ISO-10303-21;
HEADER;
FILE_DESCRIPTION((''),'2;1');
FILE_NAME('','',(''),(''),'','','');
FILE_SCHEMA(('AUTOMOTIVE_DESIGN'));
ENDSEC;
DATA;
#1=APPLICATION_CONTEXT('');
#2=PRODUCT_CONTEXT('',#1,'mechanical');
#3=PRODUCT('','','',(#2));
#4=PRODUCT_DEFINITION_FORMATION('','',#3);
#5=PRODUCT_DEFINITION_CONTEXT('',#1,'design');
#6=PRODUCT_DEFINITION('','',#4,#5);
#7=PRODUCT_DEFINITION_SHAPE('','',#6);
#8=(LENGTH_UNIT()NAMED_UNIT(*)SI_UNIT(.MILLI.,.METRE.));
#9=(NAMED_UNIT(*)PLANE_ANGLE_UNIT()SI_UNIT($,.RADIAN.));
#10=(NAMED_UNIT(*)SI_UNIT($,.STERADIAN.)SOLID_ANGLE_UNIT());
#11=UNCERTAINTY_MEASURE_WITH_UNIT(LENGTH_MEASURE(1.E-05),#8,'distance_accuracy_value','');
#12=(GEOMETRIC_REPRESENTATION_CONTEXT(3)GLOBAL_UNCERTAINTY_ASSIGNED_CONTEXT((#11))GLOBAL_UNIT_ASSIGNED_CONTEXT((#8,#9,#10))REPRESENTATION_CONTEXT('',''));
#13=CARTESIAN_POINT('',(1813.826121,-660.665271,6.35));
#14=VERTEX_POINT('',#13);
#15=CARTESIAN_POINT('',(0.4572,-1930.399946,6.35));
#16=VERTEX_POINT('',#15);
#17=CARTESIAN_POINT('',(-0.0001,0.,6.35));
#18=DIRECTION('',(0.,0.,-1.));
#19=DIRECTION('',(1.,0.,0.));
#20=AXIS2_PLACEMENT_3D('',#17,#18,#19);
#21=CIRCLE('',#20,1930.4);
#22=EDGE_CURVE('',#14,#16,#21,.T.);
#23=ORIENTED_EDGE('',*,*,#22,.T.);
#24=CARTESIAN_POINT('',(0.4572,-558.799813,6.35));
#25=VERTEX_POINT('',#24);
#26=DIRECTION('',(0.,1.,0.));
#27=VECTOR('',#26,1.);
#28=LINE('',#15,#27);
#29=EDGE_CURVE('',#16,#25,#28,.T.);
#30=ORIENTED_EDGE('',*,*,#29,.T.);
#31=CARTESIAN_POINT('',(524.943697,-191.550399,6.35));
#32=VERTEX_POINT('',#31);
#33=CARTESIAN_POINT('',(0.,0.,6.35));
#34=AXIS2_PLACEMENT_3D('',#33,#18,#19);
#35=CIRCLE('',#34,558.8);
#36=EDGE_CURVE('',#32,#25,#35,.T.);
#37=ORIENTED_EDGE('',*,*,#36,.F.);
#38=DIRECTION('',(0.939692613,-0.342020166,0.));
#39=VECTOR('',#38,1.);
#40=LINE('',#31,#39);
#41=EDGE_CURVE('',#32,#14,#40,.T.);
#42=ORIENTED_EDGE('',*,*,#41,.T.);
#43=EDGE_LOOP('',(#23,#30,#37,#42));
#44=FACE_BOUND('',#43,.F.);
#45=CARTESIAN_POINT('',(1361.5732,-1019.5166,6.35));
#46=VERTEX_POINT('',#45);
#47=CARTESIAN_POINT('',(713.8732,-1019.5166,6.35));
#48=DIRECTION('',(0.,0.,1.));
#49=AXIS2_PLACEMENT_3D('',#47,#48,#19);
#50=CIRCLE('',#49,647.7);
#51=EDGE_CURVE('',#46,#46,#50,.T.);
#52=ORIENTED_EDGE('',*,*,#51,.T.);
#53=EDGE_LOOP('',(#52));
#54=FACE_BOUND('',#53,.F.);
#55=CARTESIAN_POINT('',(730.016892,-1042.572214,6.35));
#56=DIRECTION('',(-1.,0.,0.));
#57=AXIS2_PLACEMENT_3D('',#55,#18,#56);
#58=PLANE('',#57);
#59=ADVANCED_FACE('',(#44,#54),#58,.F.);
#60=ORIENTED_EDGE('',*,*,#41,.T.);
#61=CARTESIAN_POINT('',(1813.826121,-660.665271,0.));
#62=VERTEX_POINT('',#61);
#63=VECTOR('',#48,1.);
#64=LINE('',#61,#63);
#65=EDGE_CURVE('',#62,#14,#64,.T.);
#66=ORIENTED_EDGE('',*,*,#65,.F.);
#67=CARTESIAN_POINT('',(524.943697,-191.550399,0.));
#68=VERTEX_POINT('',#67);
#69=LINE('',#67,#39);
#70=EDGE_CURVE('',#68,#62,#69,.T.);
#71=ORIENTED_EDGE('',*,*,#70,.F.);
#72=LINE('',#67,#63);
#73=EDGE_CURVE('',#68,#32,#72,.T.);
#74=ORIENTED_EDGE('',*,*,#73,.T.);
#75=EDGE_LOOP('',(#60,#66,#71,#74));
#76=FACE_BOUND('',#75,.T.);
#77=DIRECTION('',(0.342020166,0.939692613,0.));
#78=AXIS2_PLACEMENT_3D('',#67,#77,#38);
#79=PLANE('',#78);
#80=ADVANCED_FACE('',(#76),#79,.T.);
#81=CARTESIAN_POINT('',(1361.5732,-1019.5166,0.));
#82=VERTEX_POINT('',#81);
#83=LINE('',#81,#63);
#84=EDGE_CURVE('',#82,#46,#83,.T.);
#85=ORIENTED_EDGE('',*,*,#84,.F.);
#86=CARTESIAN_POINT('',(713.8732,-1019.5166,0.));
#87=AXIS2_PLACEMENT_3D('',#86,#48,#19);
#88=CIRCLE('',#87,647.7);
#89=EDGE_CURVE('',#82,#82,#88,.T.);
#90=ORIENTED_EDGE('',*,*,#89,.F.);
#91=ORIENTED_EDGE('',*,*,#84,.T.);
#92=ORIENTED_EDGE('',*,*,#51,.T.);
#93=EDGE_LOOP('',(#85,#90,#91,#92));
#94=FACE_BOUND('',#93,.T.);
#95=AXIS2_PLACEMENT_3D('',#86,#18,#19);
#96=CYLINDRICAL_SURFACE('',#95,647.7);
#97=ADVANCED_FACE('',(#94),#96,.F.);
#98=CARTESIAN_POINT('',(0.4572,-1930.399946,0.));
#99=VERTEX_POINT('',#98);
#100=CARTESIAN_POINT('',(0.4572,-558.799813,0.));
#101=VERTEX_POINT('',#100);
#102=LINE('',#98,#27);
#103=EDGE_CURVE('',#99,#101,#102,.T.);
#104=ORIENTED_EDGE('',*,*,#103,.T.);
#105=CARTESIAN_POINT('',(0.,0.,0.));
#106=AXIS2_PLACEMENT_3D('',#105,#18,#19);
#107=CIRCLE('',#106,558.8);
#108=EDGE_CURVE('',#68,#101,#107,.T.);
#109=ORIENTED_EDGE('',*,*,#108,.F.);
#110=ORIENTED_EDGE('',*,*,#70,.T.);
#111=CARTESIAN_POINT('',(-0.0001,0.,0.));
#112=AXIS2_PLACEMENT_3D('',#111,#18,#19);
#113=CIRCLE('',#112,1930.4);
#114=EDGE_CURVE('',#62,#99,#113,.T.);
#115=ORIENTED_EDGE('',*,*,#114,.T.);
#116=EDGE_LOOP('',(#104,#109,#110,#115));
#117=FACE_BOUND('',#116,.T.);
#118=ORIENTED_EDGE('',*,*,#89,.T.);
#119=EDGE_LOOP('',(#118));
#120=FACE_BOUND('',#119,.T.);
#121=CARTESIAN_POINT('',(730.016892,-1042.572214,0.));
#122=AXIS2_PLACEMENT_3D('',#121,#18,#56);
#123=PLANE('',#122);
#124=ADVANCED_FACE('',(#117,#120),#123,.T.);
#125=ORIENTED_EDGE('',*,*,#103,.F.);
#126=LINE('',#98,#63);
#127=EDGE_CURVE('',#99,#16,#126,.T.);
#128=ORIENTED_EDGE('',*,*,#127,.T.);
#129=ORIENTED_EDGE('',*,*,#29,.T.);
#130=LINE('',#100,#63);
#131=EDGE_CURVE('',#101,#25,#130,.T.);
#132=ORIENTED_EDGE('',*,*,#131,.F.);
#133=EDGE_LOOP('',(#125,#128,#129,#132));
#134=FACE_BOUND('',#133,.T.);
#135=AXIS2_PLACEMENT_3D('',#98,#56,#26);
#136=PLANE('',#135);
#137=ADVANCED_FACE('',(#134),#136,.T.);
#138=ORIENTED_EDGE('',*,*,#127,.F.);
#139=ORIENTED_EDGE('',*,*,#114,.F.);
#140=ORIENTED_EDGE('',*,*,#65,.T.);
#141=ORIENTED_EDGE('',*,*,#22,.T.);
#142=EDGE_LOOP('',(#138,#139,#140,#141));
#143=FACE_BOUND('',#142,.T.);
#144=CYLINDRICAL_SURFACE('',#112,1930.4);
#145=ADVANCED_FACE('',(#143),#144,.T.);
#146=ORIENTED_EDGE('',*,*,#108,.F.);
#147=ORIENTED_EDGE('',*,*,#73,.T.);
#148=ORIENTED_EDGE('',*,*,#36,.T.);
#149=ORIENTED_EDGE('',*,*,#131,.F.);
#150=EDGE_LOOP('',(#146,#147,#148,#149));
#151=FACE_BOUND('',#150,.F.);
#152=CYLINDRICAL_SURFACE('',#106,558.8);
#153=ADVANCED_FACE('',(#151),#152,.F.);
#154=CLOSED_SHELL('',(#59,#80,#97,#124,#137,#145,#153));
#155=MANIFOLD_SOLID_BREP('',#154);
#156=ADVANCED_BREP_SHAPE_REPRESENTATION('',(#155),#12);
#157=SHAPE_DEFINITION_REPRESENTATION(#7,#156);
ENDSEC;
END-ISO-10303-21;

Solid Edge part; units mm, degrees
sketch "Sketch1" plane through (0, 0, 0) normal (0, 0, 1) x (1, 0, 0)
  line L0 (524.9437, -191.5504) -> (1813.8262, -660.6653)
  line L1 (0.4572, -1930.4) -> (0.4572, -558.7998)
  arc A0 (1813.8262, -660.6653) -> (0.4572, -1930.4) centre (-0.0001, 0) cw
  arc A1 (524.9437, -191.5504) -> (0.4572, -558.7998) centre (0, 0) cw
  circle A2 centre (713.8732, -1019.5166) radius 647.7
extrude "Protrusion1" add sketch "Sketch1" along normal blind 6.35
